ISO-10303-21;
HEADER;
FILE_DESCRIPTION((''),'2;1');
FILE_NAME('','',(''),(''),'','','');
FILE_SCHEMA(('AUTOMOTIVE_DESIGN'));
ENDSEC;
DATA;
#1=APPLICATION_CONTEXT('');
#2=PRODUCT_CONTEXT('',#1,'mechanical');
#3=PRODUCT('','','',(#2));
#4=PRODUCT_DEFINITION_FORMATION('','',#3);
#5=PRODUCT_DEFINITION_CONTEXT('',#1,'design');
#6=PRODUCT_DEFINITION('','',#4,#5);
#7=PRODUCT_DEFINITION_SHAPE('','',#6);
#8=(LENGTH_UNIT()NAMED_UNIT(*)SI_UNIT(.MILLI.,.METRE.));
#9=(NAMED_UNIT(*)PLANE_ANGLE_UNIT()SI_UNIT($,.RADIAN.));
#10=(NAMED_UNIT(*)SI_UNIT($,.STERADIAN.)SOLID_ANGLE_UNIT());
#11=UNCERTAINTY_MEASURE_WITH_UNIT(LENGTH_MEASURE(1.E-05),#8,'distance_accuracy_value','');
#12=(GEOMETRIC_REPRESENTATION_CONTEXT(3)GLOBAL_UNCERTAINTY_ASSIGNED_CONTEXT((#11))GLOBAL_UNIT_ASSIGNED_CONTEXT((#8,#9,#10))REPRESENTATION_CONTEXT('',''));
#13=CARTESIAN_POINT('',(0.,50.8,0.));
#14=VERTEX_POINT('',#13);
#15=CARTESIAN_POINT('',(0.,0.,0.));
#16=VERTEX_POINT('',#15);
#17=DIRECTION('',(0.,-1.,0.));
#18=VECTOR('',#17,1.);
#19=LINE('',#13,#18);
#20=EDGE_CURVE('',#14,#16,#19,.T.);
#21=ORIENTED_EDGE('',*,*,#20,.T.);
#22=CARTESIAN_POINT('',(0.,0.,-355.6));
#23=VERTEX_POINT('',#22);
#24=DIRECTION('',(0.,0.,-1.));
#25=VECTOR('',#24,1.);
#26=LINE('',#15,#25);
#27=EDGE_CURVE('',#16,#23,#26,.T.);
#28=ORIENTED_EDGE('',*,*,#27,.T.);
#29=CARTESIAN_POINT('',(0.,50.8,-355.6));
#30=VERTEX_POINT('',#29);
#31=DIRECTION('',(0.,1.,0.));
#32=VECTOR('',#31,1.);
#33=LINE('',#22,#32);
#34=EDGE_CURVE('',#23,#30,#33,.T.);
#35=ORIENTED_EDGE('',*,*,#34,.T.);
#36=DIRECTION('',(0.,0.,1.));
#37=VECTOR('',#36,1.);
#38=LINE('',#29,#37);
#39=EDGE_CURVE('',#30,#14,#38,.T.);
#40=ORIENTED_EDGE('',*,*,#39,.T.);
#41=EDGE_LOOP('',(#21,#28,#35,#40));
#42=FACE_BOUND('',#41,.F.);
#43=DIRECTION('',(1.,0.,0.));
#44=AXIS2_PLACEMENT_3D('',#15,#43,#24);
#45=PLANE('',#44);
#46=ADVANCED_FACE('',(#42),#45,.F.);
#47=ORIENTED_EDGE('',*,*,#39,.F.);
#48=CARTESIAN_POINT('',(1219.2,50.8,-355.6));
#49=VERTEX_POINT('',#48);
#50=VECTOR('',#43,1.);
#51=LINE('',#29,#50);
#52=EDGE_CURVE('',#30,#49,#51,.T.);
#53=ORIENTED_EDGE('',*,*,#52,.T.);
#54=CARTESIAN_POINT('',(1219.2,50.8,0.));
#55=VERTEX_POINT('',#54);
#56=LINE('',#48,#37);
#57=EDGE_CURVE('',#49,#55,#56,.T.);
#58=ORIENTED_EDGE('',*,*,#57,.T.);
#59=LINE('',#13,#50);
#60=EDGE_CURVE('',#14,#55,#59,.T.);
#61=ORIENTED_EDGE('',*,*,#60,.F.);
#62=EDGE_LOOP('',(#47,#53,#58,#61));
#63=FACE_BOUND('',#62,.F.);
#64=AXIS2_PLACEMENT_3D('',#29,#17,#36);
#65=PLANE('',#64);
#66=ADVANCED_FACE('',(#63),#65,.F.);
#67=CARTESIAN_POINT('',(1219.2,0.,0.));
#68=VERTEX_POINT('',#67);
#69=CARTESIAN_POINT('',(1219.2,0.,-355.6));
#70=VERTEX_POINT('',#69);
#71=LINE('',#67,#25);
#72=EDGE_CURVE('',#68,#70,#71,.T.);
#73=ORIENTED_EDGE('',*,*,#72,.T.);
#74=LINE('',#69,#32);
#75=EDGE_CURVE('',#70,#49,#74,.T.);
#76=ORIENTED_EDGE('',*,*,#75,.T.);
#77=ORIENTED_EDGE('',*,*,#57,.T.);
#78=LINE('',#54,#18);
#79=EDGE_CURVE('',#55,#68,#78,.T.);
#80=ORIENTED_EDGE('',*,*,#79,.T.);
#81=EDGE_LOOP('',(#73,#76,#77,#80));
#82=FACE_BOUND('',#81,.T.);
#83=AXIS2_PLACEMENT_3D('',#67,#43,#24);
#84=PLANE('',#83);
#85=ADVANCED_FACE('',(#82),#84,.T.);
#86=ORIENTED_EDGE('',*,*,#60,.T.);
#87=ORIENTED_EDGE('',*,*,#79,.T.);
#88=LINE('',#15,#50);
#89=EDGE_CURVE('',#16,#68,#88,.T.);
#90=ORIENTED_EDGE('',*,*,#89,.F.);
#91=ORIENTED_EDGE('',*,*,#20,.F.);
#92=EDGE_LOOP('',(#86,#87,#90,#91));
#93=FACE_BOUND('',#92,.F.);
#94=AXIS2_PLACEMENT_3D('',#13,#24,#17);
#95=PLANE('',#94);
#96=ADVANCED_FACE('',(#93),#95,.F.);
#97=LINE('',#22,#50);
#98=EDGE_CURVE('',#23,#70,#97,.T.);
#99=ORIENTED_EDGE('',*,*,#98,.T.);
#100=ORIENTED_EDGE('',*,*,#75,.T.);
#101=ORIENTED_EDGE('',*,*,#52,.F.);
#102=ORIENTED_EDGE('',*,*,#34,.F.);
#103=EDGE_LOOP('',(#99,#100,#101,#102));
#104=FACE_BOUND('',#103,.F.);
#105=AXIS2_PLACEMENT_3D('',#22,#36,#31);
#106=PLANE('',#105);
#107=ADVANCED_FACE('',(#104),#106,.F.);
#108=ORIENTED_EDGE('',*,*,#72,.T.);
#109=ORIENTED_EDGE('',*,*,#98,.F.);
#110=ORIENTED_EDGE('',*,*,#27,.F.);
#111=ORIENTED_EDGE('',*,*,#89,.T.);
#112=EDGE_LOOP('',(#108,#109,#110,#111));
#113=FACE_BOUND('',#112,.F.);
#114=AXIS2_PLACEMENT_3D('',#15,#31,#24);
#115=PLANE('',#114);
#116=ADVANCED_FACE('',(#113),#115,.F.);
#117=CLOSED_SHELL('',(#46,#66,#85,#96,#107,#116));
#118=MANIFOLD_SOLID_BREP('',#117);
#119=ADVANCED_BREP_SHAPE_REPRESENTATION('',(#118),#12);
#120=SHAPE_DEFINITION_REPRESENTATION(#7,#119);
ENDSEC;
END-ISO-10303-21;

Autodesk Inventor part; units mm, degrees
ref_plane "YZ Plane" through (0, 0, 0) normal (1, 0, 0) x (0, 1, 0)
ref_plane "XZ Plane" through (0, 0, 0) normal (0, 1, 0) x (-1, 0, 0)
ref_plane "XY Plane" through (0, 0, 0) normal (0, 0, 1) x (1, 0, 0)
sketch "Sketch1" plane through (0, 0, 0) normal (1, 0, 0) x (0, 0, -1)
  line L0 (0, 0) -> (355.6, 0)
  line L1 (355.6, 0) -> (355.6, 50.8)
  line L2 (355.6, 50.8) -> (0, 50.8)
  line L3 (0, 50.8) -> (0, 0)
  dimension "d0" = 355.6
  dimension "d1" = 50.8
extrude "Extrusion1" add sketch "Sketch1" along normal blind 1219.2
properties part number "2x14x48-8" material "Granite, Cut, Polished"
